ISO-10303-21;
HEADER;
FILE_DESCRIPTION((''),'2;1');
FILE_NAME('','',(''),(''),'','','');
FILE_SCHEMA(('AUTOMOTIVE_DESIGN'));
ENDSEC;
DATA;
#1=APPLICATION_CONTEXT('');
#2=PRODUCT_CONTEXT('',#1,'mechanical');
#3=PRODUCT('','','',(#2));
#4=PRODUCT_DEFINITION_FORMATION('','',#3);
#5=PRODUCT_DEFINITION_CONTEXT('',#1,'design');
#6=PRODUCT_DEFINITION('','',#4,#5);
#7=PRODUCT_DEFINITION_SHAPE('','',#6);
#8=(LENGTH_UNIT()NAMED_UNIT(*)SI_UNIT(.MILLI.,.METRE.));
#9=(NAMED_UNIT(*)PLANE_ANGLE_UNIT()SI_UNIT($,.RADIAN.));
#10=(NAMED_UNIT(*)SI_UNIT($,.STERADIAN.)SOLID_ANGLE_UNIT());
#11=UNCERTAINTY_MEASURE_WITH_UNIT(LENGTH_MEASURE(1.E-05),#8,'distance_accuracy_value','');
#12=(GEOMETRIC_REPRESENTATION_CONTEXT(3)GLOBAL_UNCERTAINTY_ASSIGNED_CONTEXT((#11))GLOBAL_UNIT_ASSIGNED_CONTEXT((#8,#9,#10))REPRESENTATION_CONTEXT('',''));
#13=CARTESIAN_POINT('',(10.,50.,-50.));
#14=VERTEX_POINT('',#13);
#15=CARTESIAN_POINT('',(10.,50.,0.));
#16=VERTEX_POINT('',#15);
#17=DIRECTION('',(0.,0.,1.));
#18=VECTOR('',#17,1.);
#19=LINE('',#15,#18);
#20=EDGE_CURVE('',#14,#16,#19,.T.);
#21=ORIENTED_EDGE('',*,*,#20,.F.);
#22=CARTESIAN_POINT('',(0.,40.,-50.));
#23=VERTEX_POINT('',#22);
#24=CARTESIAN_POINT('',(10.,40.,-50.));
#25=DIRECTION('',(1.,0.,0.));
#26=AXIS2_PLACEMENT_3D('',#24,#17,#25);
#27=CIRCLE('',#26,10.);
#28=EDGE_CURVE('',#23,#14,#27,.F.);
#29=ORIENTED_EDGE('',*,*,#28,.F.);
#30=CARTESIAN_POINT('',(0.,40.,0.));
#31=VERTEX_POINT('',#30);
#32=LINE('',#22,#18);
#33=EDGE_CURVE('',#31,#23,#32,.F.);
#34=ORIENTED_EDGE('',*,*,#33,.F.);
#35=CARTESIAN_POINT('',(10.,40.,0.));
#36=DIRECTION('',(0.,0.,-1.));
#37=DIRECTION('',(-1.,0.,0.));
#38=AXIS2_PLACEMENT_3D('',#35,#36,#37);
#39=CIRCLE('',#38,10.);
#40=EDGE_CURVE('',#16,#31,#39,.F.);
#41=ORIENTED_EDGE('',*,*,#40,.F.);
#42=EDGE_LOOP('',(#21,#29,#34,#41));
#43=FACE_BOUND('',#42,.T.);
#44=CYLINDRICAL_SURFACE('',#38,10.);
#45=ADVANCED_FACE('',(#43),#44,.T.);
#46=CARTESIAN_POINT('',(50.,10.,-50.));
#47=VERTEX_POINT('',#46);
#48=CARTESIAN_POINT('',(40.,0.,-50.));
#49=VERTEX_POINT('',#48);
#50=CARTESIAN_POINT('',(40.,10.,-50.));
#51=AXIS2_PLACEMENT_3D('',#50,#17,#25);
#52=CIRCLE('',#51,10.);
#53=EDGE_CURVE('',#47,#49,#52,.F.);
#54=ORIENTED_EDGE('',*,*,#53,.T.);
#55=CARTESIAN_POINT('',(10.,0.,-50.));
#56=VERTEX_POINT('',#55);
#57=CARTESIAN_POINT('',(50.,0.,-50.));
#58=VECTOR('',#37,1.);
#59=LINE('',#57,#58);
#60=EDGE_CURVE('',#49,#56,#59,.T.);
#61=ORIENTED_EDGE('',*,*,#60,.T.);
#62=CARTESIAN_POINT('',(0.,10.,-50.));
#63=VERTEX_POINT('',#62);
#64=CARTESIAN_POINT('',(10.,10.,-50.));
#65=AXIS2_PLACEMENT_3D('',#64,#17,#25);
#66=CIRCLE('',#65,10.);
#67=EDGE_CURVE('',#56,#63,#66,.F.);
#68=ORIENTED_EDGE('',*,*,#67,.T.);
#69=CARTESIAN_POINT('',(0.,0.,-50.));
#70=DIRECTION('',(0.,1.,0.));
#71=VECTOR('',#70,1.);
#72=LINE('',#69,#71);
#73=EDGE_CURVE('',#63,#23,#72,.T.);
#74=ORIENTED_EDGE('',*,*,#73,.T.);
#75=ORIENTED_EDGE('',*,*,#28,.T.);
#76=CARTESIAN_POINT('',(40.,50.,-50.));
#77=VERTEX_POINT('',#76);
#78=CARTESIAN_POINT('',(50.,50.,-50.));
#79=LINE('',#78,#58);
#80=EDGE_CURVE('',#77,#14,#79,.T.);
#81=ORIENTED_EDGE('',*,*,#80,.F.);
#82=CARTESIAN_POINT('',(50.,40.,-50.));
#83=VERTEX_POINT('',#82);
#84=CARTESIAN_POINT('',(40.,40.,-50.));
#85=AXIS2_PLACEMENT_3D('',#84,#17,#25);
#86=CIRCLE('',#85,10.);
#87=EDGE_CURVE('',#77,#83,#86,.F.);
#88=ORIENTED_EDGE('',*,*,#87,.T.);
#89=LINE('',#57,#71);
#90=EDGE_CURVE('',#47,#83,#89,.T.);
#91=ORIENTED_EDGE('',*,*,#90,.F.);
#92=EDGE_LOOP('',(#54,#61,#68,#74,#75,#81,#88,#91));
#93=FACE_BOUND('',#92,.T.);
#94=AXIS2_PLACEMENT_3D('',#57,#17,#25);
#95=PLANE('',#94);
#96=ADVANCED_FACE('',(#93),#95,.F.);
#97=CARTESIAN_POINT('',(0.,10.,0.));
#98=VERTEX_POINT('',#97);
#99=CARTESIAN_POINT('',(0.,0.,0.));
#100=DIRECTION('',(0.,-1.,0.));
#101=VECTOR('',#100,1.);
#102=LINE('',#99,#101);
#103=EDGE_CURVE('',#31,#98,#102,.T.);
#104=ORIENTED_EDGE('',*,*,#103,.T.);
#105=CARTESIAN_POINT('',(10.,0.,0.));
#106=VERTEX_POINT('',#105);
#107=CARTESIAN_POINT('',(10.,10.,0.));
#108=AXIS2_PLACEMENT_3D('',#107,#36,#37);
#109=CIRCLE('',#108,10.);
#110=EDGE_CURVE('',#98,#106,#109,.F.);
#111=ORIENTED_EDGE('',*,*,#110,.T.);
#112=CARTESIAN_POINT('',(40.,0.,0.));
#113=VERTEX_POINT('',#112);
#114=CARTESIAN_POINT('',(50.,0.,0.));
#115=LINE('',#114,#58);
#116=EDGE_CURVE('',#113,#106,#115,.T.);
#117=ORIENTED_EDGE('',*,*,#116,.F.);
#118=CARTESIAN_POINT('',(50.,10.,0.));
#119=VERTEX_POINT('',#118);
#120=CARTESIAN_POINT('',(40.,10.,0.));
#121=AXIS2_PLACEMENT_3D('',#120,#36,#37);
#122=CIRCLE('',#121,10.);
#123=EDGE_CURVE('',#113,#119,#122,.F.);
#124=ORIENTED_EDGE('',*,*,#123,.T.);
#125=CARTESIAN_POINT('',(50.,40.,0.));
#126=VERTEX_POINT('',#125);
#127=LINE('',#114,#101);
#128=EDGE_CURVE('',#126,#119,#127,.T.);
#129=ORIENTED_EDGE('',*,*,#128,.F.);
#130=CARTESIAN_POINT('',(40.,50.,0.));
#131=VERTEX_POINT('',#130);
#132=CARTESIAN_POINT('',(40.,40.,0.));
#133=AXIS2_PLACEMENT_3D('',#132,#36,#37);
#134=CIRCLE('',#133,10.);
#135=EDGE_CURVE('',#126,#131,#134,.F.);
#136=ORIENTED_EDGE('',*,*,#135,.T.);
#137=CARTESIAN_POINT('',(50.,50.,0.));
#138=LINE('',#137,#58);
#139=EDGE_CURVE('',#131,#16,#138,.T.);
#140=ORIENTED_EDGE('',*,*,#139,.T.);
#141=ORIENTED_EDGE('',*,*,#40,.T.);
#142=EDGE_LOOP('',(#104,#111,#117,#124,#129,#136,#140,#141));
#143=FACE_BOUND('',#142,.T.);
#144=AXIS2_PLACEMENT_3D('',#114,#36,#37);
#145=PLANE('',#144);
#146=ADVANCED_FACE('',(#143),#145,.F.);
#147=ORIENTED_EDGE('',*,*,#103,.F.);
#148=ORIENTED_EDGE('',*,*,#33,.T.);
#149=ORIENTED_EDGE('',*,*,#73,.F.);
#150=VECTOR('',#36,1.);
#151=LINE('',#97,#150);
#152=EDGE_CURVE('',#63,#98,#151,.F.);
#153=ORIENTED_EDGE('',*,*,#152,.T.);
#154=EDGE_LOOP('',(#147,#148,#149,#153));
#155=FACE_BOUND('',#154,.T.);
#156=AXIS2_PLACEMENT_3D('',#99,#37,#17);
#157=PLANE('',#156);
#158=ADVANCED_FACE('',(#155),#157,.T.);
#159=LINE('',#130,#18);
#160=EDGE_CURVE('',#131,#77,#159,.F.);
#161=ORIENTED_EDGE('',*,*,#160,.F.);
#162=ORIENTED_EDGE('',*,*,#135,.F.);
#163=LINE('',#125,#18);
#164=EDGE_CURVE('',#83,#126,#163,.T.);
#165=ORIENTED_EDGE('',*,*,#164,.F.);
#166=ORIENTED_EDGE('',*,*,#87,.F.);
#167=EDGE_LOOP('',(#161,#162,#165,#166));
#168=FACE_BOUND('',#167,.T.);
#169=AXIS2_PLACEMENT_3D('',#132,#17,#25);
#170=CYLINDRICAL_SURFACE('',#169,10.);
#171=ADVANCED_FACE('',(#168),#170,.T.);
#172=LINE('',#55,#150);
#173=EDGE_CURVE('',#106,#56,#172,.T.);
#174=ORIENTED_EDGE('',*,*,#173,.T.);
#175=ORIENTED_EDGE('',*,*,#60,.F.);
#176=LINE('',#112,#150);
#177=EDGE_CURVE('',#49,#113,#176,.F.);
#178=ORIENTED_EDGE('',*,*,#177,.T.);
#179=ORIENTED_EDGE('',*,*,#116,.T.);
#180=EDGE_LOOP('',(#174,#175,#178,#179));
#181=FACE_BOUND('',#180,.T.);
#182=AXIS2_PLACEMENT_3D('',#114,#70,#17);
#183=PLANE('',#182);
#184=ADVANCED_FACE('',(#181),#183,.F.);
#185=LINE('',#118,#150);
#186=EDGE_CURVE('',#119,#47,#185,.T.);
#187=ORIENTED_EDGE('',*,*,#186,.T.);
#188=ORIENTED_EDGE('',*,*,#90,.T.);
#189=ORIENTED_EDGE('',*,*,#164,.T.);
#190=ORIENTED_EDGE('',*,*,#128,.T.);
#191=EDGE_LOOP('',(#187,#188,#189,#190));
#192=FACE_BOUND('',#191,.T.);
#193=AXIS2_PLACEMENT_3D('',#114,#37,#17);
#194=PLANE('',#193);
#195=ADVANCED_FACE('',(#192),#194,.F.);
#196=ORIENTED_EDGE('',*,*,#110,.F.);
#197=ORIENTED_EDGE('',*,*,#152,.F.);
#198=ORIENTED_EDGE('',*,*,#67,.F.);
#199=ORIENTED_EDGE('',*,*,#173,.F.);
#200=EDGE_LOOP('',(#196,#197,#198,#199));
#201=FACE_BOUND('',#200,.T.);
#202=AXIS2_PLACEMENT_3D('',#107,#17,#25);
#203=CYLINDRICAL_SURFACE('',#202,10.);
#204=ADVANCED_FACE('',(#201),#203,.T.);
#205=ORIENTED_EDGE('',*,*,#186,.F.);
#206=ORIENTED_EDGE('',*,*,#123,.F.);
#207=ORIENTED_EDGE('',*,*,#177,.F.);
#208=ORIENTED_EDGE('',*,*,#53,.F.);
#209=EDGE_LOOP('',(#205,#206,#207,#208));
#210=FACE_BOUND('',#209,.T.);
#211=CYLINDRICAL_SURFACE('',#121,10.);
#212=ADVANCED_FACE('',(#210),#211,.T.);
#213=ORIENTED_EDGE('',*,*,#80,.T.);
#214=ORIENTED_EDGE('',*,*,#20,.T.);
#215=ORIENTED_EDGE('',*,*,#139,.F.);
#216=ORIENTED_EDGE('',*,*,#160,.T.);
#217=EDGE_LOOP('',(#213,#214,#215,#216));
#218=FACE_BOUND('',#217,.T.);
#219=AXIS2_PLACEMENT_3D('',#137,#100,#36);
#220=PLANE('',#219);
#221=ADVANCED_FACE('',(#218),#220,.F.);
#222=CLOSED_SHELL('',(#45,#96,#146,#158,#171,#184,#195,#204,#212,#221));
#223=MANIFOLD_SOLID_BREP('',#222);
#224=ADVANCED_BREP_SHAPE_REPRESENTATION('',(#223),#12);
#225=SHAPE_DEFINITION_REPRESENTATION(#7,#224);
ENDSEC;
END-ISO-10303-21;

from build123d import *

# Parameters (mm, degrees)
CROQUIS1_W              = 50
CROQUIS1_H              = 50
SALIENTE_EXTRUIR1_DEPTH = 50
REDONDEO1_R             = 10


with BuildPart() as part:
    # Croquis1 → Saliente-Extruir1 (new body)
    with BuildSketch(Plane(origin=(0, 0, 0), x_dir=(0, 0, -1), z_dir=(1, 0, 0))):
        with Locations((25, 25)):
            Rectangle(CROQUIS1_W, CROQUIS1_H)
    extrude(amount=SALIENTE_EXTRUIR1_DEPTH)

    # Redondeo1
    redondeo1_edges = [part.edges().sort_by_distance(p)[0] for p in [
        (50, 50, -25),
        (0, 50, -25),
        (0, 0, -25),
        (50, 0, -25),
    ]]
    fillet(redondeo1_edges, radius=REDONDEO1_R)


solid = part.part
